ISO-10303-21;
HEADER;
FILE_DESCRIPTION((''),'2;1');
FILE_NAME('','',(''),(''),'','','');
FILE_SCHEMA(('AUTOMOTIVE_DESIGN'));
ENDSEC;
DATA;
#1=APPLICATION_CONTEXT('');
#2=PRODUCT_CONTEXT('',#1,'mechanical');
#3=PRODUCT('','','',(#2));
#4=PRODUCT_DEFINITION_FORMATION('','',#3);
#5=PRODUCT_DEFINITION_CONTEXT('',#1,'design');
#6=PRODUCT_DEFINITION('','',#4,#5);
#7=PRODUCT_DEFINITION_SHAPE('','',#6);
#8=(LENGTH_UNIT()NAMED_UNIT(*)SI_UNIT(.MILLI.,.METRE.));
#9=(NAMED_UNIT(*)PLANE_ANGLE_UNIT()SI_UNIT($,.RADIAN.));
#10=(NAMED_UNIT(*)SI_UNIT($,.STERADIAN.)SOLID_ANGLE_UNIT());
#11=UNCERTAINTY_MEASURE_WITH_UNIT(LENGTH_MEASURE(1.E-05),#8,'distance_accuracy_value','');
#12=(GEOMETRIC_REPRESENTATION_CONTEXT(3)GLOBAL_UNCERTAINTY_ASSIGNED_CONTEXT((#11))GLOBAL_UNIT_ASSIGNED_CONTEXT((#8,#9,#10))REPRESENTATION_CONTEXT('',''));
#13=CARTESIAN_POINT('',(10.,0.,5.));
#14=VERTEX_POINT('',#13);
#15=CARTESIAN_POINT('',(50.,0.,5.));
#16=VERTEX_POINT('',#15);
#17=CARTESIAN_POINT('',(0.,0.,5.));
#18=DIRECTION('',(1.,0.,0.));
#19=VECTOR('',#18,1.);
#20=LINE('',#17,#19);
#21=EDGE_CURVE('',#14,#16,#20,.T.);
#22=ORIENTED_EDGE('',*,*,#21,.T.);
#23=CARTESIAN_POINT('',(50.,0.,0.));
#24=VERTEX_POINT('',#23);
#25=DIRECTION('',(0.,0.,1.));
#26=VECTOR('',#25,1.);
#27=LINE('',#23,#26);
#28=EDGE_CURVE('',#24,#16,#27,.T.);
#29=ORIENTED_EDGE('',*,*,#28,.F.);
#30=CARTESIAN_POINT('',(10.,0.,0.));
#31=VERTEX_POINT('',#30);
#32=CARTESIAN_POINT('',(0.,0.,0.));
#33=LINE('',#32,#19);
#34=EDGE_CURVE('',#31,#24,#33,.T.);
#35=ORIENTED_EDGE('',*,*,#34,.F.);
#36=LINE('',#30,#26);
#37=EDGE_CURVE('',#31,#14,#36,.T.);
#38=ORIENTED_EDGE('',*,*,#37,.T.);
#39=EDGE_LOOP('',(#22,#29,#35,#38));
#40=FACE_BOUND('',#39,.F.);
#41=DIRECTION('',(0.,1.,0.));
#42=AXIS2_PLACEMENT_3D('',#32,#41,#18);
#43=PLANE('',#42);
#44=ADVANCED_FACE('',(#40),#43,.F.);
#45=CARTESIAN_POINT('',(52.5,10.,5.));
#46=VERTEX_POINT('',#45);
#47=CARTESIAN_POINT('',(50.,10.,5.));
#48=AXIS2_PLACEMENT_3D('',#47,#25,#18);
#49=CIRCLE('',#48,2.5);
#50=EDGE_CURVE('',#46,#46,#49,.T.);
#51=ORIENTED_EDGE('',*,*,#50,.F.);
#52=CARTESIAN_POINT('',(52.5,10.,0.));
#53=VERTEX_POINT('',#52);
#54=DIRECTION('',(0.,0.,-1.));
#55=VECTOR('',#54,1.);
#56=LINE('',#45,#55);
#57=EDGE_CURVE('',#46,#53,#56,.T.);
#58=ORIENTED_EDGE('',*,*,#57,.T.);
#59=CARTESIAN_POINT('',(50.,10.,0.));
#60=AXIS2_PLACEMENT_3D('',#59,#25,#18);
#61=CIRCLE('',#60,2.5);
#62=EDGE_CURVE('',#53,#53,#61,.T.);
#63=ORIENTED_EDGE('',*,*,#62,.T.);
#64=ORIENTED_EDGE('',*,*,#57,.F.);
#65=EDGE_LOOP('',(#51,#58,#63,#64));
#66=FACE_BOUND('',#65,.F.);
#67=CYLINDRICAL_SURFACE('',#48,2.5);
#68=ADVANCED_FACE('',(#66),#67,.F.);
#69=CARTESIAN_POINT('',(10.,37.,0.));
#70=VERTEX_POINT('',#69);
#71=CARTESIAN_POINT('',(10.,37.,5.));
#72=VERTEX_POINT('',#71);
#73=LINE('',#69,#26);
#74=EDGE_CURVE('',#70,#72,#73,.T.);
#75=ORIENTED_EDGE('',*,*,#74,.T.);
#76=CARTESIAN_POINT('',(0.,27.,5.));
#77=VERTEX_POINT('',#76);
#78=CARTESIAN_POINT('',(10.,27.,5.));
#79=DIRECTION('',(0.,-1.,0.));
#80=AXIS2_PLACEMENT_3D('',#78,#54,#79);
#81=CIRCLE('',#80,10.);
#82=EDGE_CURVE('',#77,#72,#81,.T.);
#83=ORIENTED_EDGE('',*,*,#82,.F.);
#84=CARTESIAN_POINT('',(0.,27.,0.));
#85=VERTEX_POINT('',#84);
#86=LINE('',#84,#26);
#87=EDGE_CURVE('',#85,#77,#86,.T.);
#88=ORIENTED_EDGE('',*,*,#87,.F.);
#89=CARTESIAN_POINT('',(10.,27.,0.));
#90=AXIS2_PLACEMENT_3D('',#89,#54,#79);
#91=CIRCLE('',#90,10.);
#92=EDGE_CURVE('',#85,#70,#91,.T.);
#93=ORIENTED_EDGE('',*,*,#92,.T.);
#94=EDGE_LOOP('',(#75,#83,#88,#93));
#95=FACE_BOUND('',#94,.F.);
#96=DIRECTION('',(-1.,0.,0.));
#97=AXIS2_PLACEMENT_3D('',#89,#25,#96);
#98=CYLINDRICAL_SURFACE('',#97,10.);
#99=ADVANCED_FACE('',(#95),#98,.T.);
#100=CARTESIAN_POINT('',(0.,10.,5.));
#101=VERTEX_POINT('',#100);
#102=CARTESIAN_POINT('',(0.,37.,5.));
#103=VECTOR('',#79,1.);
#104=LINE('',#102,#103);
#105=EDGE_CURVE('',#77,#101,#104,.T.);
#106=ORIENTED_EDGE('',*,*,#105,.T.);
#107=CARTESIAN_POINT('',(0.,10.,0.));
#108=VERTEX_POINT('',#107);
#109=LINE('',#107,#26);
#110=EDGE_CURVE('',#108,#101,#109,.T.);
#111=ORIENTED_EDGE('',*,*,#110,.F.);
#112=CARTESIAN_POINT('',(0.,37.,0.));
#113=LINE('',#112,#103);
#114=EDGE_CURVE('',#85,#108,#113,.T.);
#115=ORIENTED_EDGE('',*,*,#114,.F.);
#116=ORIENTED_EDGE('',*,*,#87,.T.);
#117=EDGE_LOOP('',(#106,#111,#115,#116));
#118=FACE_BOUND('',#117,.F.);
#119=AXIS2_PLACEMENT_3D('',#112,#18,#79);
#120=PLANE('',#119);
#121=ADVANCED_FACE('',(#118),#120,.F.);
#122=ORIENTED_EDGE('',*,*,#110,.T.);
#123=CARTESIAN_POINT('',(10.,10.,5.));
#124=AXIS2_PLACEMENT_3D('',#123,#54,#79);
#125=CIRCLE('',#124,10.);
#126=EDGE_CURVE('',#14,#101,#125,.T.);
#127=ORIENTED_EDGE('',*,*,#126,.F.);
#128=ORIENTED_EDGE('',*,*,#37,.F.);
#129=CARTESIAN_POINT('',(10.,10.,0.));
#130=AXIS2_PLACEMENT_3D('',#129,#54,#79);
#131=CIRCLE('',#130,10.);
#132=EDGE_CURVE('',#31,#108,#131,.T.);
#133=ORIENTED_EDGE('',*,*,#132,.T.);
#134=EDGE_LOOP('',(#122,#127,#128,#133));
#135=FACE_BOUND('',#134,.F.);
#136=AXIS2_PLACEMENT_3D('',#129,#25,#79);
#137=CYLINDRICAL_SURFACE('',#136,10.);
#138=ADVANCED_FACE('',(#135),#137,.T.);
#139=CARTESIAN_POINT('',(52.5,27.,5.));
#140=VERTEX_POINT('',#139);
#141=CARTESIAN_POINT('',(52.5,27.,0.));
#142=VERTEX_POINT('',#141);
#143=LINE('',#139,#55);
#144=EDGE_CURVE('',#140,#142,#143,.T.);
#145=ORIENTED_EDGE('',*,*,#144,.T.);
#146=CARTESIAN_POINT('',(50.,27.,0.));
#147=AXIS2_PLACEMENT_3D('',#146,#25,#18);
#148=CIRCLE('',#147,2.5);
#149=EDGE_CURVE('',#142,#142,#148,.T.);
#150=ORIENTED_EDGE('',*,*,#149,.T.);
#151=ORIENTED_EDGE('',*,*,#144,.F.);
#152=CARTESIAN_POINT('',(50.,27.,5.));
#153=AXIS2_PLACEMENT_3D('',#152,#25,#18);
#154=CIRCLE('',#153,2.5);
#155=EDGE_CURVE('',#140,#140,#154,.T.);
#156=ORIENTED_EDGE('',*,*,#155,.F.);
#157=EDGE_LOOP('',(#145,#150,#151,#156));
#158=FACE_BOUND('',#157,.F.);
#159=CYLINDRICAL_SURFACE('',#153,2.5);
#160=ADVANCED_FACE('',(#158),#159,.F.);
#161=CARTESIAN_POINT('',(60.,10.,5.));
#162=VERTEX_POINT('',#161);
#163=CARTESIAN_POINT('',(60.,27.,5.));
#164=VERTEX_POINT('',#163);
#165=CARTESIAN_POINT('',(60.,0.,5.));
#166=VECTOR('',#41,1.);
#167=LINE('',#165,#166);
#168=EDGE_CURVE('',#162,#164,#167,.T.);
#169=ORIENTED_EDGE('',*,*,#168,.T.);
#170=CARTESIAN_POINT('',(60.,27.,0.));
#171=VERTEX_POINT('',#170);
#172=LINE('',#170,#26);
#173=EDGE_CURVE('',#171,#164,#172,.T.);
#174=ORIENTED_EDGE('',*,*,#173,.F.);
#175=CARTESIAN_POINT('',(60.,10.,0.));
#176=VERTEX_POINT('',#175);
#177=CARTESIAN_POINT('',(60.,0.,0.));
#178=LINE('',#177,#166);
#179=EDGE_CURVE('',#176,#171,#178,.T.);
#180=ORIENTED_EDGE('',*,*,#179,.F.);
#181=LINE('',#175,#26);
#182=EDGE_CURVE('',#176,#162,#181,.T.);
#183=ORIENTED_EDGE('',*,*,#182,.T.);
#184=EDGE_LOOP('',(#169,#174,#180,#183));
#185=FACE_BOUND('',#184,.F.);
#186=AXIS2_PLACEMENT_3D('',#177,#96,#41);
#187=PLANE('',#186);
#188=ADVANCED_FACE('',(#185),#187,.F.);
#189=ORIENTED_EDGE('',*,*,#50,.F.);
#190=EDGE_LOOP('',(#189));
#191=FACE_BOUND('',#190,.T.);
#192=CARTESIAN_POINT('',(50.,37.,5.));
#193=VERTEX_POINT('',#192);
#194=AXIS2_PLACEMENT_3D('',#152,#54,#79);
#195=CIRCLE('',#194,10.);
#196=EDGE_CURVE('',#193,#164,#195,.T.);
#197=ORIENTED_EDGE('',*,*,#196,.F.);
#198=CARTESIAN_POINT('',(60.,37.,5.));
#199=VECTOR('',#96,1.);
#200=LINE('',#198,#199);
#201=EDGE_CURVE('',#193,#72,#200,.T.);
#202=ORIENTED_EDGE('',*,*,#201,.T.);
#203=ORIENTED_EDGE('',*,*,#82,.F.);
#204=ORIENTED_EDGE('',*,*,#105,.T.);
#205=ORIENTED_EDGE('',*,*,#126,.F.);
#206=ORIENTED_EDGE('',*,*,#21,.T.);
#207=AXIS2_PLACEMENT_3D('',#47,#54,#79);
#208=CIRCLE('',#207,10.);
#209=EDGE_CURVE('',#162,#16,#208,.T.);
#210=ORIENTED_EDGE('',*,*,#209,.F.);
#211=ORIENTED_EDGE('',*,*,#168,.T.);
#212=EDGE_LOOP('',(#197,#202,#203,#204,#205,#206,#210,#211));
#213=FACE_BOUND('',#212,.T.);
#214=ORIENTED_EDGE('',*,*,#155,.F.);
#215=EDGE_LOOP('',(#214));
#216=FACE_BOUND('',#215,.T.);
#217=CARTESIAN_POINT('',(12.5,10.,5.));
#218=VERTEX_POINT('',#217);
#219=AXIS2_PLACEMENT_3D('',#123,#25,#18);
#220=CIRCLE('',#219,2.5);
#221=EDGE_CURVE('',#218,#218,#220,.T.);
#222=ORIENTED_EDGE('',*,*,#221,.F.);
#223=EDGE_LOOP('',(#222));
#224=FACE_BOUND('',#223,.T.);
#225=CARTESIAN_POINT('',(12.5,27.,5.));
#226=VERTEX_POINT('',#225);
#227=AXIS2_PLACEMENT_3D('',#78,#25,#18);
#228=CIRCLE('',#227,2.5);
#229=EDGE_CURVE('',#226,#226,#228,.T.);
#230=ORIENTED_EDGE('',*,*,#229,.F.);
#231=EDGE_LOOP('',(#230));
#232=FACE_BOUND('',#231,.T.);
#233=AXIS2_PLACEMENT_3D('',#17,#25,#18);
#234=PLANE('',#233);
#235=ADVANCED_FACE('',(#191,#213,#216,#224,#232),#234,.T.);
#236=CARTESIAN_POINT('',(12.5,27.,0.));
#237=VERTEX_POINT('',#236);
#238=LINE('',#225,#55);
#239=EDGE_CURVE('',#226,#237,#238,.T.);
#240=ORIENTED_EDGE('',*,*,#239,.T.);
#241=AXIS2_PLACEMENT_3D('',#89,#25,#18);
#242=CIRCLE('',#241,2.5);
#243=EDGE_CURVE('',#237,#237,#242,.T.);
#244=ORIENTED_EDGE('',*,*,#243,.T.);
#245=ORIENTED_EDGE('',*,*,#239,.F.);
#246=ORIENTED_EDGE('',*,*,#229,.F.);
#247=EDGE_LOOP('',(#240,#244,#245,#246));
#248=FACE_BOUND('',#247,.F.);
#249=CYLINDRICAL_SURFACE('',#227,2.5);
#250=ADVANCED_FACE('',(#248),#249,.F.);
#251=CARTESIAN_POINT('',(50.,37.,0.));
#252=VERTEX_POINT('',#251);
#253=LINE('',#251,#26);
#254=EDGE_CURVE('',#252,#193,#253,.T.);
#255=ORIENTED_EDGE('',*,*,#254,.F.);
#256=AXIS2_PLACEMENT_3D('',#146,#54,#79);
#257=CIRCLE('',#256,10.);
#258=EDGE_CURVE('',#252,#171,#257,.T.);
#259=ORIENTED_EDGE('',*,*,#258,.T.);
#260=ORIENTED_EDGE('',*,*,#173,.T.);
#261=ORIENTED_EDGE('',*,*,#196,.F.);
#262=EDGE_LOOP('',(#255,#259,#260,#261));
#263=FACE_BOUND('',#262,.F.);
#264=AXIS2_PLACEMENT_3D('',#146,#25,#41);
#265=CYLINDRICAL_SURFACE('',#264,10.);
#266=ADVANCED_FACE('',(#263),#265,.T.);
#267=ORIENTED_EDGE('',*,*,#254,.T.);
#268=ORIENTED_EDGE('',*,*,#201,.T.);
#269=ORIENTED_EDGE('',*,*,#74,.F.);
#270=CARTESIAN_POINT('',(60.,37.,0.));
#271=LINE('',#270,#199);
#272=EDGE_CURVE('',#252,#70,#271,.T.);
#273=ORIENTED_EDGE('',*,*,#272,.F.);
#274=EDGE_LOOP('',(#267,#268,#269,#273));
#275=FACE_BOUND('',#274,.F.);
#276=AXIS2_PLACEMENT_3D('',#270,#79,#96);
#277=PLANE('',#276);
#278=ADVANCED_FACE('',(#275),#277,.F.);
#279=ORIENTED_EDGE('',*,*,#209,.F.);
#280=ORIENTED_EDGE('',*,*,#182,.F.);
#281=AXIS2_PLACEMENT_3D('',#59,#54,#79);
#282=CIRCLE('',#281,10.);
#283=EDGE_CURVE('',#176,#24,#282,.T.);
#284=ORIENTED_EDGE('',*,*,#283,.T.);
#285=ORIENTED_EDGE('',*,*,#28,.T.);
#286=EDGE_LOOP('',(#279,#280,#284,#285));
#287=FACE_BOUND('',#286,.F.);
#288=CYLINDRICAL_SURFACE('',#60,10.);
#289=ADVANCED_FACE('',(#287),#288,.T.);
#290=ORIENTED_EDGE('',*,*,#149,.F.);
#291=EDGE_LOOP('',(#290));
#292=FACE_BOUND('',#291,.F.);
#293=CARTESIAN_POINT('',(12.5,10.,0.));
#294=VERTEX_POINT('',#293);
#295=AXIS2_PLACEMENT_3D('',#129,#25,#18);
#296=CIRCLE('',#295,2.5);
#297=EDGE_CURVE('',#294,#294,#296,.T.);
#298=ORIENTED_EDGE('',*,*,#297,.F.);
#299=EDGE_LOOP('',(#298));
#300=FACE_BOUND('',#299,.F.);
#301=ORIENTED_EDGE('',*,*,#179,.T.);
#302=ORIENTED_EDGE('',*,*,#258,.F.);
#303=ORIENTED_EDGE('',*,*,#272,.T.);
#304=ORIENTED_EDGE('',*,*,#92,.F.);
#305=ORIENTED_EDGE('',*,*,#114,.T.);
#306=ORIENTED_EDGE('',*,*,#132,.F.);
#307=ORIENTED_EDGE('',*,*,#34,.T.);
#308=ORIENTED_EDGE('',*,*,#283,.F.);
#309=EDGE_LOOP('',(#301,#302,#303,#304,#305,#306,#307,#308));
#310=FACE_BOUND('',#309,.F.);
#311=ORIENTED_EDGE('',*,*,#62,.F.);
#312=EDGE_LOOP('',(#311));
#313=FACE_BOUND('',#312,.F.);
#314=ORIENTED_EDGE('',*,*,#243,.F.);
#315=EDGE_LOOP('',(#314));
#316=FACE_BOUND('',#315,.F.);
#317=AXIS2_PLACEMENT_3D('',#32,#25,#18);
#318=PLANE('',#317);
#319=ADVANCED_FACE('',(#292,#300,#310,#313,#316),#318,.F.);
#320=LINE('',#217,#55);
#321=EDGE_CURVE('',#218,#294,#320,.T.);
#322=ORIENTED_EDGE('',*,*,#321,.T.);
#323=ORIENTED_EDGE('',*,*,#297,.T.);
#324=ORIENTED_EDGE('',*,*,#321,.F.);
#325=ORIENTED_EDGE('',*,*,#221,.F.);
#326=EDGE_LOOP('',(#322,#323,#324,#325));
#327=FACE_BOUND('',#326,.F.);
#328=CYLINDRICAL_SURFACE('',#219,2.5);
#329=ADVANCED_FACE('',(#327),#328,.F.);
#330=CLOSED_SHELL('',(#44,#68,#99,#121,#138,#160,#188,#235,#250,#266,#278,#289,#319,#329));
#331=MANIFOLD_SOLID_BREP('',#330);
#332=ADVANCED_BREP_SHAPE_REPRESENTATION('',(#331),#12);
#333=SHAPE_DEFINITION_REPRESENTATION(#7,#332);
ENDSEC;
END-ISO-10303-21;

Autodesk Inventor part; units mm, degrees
ref_plane "YZ Plane" through (0, 0, 0) normal (1, 0, 0) x (0, 1, 0)
ref_plane "XZ Plane" through (0, 0, 0) normal (0, 1, 0) x (-1, 0, 0)
ref_plane "XY Plane" through (0, 0, 0) normal (0, 0, 1) x (1, 0, 0)
sketch "Sketch1" plane through (0, 0, 0) normal (0, 0, 1) x (1, 0, 0)
  line L0 (0, 0) -> (60, 0)
  line L1 (60, 0) -> (60, 37)
  line L2 (60, 37) -> (0, 37)
  line L3 (0, 37) -> (0, 0)
  dimension "d0" = 60
  dimension "d1" = 37
extrude "Extrusion1" add sketch "Sketch1" along normal blind 5
sketch "Sketch2" plane through (0, 0, 5) normal (0, 0, 1) x (1, 0, 0)
  circle A0 centre (10, 10) radius 2.5
  circle A1 centre (50, 10) radius 2.5
  circle A2 centre (10, 27) radius 2.5
  circle A3 centre (50, 27) radius 2.5
  point P0 (0, 0)
  dimension "d4" = 5
  dimension "d5" = 5
  dimension "d6" = 5
  dimension "d7" = 5
extrude "Extrusion2" cut sketch "Sketch2" against normal blind 5
fillet "Fillet1" radius 10 1 edges at (0, 37, 2.5)
fillet "Fillet2" radius 10 1 edges at (60, 37, 2.5)
fillet "Fillet3" radius 10 1 edges at (60, 0, 2.5)
fillet "Fillet4" radius 10 1 edges at (0, 0, 2.5)
properties part number "sail_hold_2"
